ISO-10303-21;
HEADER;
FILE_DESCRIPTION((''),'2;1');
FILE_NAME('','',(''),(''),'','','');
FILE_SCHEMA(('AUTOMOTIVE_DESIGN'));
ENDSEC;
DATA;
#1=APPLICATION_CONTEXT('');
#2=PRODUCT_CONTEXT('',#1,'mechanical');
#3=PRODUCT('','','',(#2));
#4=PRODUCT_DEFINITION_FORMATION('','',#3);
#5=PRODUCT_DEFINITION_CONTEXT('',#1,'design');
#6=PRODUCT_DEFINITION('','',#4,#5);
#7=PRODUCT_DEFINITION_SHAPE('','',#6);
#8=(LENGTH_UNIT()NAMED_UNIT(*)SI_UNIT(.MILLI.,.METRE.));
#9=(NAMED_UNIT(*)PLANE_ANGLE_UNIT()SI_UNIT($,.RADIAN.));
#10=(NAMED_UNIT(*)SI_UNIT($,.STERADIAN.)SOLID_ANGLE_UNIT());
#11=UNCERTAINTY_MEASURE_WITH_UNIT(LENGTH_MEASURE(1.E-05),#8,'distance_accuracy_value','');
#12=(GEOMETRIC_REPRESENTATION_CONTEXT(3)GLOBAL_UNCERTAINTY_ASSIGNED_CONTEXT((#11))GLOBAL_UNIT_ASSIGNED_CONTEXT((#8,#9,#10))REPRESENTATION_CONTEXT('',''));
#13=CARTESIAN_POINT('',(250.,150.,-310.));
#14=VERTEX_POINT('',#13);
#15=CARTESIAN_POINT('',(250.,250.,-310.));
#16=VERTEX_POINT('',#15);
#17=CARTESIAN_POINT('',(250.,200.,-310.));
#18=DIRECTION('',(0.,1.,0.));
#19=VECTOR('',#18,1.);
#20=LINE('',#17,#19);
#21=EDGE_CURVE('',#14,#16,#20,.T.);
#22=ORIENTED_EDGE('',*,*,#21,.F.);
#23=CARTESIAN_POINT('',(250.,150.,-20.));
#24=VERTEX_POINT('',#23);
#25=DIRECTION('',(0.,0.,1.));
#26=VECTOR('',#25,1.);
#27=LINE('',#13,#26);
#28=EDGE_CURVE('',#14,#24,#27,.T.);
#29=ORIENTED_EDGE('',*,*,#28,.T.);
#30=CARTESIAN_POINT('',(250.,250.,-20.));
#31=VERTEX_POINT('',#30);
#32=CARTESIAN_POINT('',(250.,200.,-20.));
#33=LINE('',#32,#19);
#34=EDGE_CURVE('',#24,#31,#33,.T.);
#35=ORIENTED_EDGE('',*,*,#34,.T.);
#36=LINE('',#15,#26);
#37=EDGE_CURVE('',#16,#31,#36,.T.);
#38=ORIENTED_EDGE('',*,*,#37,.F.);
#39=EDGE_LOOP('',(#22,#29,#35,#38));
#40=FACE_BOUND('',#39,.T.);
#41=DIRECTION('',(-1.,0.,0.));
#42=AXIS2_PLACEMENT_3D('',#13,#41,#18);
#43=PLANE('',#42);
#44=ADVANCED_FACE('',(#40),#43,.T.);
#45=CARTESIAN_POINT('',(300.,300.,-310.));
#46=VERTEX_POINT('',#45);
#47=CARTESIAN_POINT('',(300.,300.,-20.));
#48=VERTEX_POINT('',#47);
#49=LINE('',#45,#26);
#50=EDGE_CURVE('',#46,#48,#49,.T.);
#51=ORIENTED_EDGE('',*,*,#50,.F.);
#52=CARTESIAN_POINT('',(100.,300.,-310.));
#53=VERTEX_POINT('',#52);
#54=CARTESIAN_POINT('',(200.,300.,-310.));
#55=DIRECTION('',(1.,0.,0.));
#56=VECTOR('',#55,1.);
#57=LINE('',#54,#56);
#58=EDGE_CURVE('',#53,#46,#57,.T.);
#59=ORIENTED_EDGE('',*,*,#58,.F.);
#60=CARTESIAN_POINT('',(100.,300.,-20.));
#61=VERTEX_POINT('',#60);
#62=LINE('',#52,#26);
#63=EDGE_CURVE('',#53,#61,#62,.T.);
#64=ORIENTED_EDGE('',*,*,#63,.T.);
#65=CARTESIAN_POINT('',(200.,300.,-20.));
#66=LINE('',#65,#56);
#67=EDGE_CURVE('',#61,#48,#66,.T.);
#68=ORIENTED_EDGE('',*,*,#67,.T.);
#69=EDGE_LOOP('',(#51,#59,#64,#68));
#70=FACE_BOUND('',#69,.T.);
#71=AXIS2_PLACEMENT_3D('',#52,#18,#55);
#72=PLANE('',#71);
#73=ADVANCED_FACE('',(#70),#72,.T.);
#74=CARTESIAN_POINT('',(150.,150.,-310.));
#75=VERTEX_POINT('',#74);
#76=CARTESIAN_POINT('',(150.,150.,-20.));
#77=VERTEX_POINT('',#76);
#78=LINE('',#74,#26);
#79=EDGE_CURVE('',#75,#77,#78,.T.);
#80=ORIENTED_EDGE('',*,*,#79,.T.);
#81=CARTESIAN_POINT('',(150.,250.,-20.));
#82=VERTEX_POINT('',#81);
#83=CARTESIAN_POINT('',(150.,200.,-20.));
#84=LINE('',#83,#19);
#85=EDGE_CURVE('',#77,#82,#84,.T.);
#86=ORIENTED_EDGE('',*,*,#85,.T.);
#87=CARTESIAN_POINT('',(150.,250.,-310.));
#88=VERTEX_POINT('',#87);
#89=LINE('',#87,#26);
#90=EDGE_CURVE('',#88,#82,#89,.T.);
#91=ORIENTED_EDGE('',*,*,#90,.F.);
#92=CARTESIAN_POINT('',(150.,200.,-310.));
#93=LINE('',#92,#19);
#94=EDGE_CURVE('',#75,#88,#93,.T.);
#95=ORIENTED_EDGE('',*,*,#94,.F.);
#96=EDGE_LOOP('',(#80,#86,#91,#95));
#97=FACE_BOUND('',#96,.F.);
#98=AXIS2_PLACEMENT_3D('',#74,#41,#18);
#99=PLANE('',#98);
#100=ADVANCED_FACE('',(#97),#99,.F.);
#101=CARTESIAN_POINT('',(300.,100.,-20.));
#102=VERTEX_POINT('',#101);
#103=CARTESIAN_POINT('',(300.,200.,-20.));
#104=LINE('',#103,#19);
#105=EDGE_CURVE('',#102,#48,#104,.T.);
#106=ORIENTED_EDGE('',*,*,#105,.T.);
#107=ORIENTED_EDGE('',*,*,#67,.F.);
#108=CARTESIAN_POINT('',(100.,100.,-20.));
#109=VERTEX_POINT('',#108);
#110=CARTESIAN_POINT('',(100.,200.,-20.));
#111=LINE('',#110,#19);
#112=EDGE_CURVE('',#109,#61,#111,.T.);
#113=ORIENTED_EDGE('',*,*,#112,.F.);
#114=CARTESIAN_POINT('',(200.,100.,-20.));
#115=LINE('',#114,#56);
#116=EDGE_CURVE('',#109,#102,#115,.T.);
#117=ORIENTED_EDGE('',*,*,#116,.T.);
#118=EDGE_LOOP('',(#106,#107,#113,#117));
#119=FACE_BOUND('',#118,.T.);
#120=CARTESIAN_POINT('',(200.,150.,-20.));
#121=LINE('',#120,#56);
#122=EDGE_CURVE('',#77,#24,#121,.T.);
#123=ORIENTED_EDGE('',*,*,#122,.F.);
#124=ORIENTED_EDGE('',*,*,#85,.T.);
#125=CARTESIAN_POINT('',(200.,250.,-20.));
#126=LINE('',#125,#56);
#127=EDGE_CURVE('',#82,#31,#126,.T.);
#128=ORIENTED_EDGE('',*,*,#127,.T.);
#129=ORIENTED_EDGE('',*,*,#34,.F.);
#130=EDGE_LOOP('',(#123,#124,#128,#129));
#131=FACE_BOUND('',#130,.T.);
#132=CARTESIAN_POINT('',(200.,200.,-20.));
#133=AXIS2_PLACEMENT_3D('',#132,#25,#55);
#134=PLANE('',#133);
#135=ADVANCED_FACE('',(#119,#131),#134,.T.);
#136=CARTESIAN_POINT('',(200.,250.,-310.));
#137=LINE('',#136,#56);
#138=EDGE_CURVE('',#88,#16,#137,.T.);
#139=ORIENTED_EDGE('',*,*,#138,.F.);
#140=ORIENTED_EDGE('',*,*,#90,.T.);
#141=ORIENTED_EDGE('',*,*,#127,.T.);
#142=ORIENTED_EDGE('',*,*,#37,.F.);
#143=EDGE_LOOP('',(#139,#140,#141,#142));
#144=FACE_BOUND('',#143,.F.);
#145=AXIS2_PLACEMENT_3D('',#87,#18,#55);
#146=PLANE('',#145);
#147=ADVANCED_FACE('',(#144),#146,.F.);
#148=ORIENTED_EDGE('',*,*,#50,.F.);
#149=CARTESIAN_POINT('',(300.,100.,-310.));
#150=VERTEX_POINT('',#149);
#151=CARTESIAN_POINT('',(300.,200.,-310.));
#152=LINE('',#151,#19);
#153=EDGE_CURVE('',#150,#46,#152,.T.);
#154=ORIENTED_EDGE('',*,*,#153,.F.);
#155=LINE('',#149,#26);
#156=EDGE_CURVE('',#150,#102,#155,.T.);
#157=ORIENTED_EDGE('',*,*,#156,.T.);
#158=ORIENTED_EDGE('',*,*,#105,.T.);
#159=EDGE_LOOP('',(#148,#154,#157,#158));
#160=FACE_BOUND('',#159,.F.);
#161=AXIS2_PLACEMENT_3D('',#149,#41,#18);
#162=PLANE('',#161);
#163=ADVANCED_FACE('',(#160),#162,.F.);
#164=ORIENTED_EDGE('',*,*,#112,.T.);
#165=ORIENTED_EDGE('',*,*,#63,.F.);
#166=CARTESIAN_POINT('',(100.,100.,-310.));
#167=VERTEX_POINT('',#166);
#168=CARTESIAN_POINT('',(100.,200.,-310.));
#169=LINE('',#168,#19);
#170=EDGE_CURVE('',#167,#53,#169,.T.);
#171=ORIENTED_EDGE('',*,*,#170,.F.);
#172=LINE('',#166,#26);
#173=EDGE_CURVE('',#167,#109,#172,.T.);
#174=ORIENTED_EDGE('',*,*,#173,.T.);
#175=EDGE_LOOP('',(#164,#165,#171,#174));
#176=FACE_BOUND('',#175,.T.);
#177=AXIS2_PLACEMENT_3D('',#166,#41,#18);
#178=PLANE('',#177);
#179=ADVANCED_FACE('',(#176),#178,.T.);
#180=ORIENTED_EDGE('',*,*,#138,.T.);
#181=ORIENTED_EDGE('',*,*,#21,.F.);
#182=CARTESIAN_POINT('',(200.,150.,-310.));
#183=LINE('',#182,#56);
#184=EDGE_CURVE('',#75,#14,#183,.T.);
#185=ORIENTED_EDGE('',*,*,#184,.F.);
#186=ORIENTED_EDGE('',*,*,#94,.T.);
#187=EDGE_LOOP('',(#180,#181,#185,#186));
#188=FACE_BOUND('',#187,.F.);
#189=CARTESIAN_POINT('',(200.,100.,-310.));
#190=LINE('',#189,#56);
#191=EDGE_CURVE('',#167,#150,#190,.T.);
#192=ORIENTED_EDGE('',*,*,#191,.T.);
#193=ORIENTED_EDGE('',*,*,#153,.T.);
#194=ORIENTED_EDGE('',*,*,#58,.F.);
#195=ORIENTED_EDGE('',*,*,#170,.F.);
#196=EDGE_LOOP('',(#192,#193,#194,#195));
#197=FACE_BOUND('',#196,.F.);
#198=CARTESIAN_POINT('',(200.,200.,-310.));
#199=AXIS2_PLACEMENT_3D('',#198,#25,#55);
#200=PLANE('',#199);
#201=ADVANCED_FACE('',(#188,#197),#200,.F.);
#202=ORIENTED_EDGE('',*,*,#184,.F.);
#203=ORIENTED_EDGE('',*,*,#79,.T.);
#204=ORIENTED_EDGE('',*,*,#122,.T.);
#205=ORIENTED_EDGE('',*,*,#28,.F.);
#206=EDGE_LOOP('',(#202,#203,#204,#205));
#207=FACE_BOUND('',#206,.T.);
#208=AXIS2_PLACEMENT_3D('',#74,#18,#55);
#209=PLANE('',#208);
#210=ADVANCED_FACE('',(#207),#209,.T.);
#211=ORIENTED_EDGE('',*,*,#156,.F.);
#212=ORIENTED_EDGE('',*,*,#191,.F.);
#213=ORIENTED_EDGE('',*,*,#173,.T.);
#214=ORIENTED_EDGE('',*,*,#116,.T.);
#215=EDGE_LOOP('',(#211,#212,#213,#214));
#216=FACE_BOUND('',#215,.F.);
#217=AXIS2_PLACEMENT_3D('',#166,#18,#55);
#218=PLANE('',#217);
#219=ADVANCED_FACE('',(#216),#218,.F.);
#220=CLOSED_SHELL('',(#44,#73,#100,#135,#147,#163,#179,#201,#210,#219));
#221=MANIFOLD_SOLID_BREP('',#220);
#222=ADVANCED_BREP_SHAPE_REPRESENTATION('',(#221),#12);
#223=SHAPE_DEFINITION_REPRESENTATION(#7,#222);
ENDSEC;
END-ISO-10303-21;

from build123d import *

# Parameters (mm, degrees)
BOX011_W     = 100
BOX011_H     = 100
BOX011_DEPTH = 290
BOX010_W     = 200
BOX010_H     = 200
BOX010_DEPTH = 290


with BuildPart() as cube010:
    # Box011 → Box011 (new body)
    with BuildSketch(Plane(origin=(150, 150, -310), x_dir=(1, 0, 0), z_dir=(0, 0, 1))):
        with Locations((50, 50)):
            Rectangle(BOX011_W, BOX011_H)
    extrude(amount=BOX011_DEPTH)


with BuildPart() as cut005:
    # Box010 → Box010 (new body)
    with BuildSketch(Plane(origin=(100, 100, -310), x_dir=(1, 0, 0), z_dir=(0, 0, 1))):
        with Locations((100, 100)):
            Rectangle(BOX010_W, BOX010_H)
    extrude(amount=BOX010_DEPTH)

    # Cut005: cut Cube010
    add(cube010.part, mode=Mode.SUBTRACT)


solid = cut005.part
